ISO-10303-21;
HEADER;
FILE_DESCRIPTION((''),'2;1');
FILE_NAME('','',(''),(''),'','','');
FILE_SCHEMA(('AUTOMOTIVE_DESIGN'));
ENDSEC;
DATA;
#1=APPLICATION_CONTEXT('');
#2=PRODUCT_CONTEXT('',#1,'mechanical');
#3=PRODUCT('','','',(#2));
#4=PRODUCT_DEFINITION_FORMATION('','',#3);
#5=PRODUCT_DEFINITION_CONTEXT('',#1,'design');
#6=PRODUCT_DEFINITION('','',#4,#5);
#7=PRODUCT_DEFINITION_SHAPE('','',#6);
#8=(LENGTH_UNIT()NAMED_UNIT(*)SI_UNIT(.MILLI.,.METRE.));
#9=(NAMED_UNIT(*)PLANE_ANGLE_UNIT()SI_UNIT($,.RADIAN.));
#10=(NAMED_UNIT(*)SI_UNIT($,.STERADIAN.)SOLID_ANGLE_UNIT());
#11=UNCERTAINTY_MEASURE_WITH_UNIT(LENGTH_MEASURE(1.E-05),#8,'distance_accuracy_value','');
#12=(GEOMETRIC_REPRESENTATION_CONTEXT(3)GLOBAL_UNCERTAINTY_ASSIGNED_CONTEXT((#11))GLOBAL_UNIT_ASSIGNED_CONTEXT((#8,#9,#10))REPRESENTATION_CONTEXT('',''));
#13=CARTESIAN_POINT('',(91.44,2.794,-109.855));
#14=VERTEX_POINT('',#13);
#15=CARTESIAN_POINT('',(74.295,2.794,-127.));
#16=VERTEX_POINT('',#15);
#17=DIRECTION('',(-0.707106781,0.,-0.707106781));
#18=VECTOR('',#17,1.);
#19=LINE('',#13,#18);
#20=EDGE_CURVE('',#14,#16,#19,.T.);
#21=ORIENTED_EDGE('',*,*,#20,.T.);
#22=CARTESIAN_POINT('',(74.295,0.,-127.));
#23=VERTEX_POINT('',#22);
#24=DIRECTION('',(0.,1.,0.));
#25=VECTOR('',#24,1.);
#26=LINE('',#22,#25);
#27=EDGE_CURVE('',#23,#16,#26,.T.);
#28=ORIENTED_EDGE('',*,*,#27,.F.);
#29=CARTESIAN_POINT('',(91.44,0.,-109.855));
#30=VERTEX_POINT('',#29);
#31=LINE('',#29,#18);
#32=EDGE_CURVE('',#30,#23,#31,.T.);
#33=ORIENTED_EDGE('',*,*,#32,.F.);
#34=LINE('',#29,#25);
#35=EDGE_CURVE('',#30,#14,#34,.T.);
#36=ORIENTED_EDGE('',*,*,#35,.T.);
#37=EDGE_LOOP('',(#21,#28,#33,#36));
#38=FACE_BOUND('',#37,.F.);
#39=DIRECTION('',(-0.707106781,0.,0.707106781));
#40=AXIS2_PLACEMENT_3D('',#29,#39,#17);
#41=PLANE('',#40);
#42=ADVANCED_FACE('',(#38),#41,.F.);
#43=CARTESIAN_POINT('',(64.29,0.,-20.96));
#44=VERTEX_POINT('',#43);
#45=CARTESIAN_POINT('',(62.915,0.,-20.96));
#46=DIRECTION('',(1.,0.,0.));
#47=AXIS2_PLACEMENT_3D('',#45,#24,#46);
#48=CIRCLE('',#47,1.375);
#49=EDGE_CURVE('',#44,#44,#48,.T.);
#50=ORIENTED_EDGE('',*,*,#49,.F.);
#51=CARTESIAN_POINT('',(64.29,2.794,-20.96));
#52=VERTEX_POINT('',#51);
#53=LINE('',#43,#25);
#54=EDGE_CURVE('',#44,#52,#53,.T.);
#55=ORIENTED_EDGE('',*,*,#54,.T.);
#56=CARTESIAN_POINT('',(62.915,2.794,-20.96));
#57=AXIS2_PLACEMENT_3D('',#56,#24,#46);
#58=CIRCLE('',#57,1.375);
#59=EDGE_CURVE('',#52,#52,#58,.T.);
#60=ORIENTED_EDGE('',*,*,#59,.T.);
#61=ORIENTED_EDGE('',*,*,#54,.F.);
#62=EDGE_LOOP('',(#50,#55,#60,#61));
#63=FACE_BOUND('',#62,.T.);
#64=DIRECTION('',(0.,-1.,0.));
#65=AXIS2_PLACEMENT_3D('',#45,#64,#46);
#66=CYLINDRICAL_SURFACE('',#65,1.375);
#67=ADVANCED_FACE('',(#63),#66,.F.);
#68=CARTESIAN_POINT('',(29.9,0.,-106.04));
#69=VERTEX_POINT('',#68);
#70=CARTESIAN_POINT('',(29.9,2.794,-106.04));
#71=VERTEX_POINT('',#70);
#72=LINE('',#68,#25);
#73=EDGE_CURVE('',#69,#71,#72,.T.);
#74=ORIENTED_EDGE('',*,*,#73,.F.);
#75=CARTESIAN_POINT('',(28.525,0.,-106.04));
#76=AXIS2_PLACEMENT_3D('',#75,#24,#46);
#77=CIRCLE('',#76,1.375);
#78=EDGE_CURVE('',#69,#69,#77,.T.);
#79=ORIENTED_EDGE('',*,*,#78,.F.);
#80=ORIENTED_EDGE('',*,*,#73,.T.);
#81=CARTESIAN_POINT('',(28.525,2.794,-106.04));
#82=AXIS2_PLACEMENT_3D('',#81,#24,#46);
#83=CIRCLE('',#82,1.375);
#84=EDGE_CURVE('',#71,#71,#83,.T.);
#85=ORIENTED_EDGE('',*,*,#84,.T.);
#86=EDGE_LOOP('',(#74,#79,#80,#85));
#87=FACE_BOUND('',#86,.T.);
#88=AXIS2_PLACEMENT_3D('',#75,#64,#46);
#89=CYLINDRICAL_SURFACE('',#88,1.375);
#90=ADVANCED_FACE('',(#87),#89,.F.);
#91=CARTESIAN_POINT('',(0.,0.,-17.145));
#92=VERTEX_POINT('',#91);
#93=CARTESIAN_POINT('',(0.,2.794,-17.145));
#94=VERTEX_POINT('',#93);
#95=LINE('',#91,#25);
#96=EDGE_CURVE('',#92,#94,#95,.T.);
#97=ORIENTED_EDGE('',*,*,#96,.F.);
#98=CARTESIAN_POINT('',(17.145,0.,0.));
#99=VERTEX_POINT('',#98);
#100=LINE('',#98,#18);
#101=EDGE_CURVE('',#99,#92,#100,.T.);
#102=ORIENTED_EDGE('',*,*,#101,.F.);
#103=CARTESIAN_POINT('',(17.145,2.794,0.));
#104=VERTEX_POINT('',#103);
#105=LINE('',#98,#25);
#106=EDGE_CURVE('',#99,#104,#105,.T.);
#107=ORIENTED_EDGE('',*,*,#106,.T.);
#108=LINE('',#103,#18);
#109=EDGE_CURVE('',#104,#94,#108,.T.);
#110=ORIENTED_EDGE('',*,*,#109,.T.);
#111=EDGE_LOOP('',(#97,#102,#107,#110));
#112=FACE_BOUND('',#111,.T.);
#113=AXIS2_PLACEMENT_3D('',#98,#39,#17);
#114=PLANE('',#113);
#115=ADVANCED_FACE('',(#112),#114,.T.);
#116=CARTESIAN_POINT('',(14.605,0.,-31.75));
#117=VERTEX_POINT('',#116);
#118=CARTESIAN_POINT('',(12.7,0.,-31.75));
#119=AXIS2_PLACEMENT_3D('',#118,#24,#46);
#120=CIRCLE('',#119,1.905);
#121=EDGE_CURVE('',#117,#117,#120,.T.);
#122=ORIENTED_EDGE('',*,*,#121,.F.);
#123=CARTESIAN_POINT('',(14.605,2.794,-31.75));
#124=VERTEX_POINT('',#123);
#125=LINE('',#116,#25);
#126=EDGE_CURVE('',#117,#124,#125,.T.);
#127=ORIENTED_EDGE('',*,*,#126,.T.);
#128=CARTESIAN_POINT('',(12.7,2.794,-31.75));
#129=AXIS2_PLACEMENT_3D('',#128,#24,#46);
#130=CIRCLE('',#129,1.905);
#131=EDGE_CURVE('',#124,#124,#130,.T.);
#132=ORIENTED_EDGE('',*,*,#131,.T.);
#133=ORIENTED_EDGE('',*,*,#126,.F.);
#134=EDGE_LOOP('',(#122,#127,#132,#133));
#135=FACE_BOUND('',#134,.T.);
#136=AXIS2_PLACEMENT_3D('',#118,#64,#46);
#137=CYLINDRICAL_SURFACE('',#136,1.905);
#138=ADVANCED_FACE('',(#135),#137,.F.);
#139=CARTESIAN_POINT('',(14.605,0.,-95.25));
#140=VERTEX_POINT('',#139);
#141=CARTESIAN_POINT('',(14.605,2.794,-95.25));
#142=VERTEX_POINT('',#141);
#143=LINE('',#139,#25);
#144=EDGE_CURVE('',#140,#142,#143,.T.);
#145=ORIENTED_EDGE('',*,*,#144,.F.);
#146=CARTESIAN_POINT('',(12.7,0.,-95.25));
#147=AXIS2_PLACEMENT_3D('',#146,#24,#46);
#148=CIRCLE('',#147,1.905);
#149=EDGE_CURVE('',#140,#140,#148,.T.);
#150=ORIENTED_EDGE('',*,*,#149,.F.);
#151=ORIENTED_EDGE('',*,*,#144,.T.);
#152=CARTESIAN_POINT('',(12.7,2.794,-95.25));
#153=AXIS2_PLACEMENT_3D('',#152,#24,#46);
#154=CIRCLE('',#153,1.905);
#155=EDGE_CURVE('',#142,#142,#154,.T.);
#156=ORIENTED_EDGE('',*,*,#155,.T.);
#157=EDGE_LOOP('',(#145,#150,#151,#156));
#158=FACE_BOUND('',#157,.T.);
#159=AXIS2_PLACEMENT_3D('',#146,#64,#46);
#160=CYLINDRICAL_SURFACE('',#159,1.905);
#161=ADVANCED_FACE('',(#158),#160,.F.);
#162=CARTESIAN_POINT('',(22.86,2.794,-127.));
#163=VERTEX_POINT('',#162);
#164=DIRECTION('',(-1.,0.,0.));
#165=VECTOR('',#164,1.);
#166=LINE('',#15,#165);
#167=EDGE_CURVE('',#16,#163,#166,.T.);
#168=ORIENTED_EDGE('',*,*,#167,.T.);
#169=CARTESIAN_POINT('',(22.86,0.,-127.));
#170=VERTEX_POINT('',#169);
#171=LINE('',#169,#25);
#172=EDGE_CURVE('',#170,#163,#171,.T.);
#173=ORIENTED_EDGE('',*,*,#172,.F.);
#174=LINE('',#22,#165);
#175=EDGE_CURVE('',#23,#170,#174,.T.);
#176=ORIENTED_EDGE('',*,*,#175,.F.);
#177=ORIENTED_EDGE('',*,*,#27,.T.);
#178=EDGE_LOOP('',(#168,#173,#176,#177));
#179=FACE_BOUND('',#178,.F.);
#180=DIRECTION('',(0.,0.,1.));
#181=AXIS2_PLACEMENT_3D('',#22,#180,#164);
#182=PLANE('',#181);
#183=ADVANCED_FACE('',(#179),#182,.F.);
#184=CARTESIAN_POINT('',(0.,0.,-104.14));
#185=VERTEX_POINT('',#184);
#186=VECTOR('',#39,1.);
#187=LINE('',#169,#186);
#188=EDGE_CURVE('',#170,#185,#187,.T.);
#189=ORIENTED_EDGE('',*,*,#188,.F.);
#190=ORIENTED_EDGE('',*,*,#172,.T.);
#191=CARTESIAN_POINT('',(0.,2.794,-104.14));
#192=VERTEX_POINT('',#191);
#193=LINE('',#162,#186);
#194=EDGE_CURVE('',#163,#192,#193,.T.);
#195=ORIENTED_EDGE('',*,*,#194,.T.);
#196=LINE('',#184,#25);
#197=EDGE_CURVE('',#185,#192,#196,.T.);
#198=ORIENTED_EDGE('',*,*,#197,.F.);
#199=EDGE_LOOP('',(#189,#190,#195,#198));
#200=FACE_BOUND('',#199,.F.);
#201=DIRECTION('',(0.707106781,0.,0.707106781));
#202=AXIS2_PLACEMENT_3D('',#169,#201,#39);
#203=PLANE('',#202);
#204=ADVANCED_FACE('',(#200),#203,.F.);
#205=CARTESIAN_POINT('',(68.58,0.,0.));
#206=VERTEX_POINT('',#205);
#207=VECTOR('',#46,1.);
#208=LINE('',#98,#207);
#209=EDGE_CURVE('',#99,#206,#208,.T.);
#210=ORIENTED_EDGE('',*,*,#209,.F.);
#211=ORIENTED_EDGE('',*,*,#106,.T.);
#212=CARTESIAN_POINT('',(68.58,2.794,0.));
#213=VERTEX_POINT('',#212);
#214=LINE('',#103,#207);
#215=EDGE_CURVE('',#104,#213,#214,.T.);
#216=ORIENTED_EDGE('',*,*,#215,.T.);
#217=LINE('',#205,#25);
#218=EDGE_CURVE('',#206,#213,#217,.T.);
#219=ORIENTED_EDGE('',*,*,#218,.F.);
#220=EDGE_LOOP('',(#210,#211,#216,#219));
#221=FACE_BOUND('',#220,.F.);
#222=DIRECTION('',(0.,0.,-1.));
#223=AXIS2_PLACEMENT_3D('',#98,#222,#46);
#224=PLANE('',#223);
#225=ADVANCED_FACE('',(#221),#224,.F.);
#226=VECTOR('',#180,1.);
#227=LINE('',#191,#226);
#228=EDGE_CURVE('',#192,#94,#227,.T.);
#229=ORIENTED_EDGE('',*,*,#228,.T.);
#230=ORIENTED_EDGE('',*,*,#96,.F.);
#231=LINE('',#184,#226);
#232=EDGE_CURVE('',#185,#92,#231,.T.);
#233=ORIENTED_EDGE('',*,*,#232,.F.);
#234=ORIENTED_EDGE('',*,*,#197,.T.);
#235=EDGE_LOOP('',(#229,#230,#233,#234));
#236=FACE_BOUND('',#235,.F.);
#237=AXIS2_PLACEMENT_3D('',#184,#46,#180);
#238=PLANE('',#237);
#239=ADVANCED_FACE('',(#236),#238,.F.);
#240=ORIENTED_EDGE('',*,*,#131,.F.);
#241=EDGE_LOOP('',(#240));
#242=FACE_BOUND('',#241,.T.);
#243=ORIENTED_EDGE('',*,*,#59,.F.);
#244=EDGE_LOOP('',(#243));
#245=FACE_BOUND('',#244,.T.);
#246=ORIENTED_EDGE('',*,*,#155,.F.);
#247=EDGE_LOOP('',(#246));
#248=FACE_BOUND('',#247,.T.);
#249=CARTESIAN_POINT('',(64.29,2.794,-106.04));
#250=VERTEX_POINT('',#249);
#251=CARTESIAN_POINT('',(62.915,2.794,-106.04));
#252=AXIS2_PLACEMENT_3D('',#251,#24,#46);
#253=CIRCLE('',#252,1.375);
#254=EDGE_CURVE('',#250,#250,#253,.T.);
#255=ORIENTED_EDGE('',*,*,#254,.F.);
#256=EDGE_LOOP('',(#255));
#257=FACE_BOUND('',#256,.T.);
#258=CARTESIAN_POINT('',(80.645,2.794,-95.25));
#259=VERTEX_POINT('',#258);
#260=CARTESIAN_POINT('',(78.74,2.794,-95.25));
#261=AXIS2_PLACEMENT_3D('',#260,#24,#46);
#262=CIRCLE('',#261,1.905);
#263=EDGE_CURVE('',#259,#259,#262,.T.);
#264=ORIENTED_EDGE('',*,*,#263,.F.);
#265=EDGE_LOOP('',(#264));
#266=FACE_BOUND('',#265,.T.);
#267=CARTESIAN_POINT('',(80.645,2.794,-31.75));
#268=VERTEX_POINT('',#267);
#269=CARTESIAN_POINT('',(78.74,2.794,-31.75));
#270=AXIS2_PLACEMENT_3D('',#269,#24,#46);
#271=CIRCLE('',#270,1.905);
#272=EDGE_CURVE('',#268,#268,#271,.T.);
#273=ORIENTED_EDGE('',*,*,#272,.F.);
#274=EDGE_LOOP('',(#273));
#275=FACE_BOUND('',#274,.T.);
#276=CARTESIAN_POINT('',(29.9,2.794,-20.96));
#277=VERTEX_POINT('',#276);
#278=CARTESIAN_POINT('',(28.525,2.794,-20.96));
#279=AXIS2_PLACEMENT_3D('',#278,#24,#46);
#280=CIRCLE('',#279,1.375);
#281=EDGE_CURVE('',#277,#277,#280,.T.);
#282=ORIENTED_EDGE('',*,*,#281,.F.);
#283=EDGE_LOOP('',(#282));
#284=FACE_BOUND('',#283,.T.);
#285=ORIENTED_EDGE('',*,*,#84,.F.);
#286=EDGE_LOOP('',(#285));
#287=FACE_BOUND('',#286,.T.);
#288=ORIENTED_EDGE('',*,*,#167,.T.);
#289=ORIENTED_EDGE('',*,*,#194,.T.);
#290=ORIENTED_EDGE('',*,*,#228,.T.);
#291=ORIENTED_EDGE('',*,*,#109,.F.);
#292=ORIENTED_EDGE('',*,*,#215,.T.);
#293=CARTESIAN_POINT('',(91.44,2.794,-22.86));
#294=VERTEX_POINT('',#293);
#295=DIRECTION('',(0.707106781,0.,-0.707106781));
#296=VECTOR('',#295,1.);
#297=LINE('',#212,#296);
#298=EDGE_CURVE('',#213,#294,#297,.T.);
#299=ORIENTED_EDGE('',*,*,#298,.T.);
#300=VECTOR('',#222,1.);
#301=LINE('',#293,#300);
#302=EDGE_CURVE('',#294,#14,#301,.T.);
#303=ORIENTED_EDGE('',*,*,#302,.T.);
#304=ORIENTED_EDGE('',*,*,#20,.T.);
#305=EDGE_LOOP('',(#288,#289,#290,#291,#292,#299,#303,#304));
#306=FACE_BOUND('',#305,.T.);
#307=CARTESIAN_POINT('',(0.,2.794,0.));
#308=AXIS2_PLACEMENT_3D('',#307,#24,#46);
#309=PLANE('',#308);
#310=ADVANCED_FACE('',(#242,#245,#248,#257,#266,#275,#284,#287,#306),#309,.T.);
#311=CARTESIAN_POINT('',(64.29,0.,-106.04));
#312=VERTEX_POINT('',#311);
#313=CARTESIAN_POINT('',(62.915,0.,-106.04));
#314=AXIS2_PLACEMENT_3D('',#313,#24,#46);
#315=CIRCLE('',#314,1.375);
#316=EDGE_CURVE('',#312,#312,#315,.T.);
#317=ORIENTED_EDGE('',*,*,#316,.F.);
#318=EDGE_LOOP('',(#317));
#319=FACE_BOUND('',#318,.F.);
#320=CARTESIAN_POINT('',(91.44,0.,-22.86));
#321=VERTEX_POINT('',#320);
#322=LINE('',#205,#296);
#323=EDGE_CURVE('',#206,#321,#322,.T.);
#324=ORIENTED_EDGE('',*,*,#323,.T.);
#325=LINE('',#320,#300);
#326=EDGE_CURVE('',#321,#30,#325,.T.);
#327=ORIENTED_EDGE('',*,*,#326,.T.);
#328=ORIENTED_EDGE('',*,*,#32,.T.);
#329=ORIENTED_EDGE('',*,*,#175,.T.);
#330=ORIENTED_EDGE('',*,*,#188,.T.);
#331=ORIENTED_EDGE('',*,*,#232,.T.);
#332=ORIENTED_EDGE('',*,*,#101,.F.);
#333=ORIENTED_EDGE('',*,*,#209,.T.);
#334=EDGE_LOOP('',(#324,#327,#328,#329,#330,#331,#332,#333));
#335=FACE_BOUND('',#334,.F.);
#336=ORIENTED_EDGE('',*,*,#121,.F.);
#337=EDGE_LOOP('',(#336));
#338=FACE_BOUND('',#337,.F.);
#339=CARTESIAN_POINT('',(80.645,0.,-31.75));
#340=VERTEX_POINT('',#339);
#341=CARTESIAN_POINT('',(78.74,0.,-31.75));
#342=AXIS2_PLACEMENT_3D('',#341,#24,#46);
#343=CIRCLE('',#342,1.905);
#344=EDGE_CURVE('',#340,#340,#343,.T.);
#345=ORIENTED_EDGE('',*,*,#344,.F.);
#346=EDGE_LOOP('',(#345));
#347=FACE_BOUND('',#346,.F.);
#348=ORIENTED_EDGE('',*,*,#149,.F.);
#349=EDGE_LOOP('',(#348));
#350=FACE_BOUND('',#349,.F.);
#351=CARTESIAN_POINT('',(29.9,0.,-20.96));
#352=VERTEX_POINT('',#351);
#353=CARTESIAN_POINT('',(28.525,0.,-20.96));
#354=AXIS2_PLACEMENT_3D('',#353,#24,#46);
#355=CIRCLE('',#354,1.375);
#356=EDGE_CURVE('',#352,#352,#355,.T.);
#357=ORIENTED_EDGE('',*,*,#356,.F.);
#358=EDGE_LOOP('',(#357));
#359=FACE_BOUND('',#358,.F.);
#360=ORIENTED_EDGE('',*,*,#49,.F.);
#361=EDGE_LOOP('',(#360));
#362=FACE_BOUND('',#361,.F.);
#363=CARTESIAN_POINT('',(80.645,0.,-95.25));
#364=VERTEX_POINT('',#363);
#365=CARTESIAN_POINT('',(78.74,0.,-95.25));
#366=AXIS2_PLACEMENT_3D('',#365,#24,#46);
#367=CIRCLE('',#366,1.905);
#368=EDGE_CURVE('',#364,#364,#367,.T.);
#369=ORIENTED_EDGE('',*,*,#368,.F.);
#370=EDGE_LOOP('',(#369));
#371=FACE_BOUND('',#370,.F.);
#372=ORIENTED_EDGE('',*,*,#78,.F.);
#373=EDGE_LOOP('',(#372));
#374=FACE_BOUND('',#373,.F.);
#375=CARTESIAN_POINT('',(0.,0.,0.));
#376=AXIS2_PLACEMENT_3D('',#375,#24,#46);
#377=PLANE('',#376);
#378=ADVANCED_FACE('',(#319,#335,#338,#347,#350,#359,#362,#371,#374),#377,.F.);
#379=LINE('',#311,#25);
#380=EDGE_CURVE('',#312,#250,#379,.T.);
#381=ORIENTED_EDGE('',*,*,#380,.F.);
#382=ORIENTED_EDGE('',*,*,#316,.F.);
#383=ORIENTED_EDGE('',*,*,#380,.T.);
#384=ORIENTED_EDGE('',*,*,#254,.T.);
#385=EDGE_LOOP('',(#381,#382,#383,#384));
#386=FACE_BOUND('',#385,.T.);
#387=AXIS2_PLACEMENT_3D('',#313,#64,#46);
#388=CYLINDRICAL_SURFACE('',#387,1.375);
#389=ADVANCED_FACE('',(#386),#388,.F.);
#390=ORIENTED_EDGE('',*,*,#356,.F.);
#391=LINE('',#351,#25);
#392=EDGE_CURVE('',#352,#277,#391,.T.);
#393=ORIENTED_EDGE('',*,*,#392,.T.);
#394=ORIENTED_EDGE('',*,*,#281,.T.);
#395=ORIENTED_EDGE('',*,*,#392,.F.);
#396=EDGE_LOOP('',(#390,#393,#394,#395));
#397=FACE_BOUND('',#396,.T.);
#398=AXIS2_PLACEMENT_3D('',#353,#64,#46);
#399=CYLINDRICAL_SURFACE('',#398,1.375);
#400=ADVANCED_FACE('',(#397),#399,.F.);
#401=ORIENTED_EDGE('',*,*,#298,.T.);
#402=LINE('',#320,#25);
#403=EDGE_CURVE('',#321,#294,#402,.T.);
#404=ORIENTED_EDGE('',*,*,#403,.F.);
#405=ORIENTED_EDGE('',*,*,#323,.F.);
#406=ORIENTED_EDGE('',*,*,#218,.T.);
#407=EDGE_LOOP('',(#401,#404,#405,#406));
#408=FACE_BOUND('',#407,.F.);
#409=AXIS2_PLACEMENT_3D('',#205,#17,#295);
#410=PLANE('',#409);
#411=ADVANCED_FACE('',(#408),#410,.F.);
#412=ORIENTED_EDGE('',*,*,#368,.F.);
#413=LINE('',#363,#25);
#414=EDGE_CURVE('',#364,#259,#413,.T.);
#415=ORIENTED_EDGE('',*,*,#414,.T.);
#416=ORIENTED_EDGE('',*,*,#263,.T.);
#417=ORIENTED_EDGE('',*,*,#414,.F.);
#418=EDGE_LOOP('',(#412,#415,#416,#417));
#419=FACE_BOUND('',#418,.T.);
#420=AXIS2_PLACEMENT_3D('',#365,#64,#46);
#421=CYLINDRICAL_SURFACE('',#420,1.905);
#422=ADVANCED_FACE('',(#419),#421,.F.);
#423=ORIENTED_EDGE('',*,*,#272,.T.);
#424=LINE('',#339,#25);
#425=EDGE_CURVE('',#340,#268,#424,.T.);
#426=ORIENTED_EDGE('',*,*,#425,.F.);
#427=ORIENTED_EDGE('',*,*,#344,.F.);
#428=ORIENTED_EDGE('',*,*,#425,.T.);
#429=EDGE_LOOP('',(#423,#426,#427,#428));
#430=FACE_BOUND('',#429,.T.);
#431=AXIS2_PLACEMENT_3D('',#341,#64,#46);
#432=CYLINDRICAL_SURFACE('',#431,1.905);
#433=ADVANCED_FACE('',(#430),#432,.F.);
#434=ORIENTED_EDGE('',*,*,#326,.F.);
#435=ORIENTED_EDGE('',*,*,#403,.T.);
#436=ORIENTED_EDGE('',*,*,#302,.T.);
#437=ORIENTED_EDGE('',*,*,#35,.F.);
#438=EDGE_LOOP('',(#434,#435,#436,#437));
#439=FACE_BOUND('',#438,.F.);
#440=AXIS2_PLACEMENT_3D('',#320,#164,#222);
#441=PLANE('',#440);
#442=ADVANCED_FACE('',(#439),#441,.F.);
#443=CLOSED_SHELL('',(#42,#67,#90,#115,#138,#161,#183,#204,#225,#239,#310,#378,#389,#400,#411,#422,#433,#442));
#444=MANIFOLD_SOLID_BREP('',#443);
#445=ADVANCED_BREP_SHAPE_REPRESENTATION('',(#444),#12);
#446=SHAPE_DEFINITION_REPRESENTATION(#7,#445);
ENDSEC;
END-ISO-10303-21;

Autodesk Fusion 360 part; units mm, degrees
sketch "Sketch1" plane through (0, 0, 0) normal (0, 1, 0) x (1, 0, 0)
  line L0 (17.145, 0) -> (68.58, 0)
  line L1 (91.44, 22.86) -> (91.44, 109.855)
  line L2 (74.295, 127) -> (22.86, 127)
  line L3 (0, 104.14) -> (0, 17.145)
  circle A0 centre (12.7, 31.75) radius 1.905
  circle A1 centre (78.74, 95.25) radius 1.905
  circle A2 centre (78.74, 31.75) radius 1.905
  circle A3 centre (12.7, 95.25) radius 1.905
  circle A4 centre (28.525, 20.96) radius 1.375
  circle A5 centre (62.915, 20.96) radius 1.375
  circle A6 centre (62.915, 106.04) radius 1.375
  circle A7 centre (28.525, 106.04) radius 1.375
  line L4 (22.86, 127) -> (0, 104.14)
  line L5 (91.44, 109.855) -> (74.295, 127)
  line L6 (68.58, 0) -> (91.44, 22.86)
  line L7 (17.145, 0) -> (0, 17.145)
  point P0 (91.44, 0)
  point P1 (91.44, 127)
  point P2 (0, 127)
  dimension "d1" = 91.44
  dimension "d8" = 2.75
  dimension "d63" = 22.86
  dimension "d64" = 22.86
  dimension "d65" = 17.145
  dimension "d66" = 17.145
  dimension "d67" = 22.86
  dimension "d68" = 22.86
  dimension "d69" = 17.145
  dimension "d70" = 17.145
extrude "Extrude5" add sketch "Sketch1" along normal blind 2.794
equation "d64 = d63"
equation "d66 = d65"
equation "d68 = d67"
equation "d70 = d69"
